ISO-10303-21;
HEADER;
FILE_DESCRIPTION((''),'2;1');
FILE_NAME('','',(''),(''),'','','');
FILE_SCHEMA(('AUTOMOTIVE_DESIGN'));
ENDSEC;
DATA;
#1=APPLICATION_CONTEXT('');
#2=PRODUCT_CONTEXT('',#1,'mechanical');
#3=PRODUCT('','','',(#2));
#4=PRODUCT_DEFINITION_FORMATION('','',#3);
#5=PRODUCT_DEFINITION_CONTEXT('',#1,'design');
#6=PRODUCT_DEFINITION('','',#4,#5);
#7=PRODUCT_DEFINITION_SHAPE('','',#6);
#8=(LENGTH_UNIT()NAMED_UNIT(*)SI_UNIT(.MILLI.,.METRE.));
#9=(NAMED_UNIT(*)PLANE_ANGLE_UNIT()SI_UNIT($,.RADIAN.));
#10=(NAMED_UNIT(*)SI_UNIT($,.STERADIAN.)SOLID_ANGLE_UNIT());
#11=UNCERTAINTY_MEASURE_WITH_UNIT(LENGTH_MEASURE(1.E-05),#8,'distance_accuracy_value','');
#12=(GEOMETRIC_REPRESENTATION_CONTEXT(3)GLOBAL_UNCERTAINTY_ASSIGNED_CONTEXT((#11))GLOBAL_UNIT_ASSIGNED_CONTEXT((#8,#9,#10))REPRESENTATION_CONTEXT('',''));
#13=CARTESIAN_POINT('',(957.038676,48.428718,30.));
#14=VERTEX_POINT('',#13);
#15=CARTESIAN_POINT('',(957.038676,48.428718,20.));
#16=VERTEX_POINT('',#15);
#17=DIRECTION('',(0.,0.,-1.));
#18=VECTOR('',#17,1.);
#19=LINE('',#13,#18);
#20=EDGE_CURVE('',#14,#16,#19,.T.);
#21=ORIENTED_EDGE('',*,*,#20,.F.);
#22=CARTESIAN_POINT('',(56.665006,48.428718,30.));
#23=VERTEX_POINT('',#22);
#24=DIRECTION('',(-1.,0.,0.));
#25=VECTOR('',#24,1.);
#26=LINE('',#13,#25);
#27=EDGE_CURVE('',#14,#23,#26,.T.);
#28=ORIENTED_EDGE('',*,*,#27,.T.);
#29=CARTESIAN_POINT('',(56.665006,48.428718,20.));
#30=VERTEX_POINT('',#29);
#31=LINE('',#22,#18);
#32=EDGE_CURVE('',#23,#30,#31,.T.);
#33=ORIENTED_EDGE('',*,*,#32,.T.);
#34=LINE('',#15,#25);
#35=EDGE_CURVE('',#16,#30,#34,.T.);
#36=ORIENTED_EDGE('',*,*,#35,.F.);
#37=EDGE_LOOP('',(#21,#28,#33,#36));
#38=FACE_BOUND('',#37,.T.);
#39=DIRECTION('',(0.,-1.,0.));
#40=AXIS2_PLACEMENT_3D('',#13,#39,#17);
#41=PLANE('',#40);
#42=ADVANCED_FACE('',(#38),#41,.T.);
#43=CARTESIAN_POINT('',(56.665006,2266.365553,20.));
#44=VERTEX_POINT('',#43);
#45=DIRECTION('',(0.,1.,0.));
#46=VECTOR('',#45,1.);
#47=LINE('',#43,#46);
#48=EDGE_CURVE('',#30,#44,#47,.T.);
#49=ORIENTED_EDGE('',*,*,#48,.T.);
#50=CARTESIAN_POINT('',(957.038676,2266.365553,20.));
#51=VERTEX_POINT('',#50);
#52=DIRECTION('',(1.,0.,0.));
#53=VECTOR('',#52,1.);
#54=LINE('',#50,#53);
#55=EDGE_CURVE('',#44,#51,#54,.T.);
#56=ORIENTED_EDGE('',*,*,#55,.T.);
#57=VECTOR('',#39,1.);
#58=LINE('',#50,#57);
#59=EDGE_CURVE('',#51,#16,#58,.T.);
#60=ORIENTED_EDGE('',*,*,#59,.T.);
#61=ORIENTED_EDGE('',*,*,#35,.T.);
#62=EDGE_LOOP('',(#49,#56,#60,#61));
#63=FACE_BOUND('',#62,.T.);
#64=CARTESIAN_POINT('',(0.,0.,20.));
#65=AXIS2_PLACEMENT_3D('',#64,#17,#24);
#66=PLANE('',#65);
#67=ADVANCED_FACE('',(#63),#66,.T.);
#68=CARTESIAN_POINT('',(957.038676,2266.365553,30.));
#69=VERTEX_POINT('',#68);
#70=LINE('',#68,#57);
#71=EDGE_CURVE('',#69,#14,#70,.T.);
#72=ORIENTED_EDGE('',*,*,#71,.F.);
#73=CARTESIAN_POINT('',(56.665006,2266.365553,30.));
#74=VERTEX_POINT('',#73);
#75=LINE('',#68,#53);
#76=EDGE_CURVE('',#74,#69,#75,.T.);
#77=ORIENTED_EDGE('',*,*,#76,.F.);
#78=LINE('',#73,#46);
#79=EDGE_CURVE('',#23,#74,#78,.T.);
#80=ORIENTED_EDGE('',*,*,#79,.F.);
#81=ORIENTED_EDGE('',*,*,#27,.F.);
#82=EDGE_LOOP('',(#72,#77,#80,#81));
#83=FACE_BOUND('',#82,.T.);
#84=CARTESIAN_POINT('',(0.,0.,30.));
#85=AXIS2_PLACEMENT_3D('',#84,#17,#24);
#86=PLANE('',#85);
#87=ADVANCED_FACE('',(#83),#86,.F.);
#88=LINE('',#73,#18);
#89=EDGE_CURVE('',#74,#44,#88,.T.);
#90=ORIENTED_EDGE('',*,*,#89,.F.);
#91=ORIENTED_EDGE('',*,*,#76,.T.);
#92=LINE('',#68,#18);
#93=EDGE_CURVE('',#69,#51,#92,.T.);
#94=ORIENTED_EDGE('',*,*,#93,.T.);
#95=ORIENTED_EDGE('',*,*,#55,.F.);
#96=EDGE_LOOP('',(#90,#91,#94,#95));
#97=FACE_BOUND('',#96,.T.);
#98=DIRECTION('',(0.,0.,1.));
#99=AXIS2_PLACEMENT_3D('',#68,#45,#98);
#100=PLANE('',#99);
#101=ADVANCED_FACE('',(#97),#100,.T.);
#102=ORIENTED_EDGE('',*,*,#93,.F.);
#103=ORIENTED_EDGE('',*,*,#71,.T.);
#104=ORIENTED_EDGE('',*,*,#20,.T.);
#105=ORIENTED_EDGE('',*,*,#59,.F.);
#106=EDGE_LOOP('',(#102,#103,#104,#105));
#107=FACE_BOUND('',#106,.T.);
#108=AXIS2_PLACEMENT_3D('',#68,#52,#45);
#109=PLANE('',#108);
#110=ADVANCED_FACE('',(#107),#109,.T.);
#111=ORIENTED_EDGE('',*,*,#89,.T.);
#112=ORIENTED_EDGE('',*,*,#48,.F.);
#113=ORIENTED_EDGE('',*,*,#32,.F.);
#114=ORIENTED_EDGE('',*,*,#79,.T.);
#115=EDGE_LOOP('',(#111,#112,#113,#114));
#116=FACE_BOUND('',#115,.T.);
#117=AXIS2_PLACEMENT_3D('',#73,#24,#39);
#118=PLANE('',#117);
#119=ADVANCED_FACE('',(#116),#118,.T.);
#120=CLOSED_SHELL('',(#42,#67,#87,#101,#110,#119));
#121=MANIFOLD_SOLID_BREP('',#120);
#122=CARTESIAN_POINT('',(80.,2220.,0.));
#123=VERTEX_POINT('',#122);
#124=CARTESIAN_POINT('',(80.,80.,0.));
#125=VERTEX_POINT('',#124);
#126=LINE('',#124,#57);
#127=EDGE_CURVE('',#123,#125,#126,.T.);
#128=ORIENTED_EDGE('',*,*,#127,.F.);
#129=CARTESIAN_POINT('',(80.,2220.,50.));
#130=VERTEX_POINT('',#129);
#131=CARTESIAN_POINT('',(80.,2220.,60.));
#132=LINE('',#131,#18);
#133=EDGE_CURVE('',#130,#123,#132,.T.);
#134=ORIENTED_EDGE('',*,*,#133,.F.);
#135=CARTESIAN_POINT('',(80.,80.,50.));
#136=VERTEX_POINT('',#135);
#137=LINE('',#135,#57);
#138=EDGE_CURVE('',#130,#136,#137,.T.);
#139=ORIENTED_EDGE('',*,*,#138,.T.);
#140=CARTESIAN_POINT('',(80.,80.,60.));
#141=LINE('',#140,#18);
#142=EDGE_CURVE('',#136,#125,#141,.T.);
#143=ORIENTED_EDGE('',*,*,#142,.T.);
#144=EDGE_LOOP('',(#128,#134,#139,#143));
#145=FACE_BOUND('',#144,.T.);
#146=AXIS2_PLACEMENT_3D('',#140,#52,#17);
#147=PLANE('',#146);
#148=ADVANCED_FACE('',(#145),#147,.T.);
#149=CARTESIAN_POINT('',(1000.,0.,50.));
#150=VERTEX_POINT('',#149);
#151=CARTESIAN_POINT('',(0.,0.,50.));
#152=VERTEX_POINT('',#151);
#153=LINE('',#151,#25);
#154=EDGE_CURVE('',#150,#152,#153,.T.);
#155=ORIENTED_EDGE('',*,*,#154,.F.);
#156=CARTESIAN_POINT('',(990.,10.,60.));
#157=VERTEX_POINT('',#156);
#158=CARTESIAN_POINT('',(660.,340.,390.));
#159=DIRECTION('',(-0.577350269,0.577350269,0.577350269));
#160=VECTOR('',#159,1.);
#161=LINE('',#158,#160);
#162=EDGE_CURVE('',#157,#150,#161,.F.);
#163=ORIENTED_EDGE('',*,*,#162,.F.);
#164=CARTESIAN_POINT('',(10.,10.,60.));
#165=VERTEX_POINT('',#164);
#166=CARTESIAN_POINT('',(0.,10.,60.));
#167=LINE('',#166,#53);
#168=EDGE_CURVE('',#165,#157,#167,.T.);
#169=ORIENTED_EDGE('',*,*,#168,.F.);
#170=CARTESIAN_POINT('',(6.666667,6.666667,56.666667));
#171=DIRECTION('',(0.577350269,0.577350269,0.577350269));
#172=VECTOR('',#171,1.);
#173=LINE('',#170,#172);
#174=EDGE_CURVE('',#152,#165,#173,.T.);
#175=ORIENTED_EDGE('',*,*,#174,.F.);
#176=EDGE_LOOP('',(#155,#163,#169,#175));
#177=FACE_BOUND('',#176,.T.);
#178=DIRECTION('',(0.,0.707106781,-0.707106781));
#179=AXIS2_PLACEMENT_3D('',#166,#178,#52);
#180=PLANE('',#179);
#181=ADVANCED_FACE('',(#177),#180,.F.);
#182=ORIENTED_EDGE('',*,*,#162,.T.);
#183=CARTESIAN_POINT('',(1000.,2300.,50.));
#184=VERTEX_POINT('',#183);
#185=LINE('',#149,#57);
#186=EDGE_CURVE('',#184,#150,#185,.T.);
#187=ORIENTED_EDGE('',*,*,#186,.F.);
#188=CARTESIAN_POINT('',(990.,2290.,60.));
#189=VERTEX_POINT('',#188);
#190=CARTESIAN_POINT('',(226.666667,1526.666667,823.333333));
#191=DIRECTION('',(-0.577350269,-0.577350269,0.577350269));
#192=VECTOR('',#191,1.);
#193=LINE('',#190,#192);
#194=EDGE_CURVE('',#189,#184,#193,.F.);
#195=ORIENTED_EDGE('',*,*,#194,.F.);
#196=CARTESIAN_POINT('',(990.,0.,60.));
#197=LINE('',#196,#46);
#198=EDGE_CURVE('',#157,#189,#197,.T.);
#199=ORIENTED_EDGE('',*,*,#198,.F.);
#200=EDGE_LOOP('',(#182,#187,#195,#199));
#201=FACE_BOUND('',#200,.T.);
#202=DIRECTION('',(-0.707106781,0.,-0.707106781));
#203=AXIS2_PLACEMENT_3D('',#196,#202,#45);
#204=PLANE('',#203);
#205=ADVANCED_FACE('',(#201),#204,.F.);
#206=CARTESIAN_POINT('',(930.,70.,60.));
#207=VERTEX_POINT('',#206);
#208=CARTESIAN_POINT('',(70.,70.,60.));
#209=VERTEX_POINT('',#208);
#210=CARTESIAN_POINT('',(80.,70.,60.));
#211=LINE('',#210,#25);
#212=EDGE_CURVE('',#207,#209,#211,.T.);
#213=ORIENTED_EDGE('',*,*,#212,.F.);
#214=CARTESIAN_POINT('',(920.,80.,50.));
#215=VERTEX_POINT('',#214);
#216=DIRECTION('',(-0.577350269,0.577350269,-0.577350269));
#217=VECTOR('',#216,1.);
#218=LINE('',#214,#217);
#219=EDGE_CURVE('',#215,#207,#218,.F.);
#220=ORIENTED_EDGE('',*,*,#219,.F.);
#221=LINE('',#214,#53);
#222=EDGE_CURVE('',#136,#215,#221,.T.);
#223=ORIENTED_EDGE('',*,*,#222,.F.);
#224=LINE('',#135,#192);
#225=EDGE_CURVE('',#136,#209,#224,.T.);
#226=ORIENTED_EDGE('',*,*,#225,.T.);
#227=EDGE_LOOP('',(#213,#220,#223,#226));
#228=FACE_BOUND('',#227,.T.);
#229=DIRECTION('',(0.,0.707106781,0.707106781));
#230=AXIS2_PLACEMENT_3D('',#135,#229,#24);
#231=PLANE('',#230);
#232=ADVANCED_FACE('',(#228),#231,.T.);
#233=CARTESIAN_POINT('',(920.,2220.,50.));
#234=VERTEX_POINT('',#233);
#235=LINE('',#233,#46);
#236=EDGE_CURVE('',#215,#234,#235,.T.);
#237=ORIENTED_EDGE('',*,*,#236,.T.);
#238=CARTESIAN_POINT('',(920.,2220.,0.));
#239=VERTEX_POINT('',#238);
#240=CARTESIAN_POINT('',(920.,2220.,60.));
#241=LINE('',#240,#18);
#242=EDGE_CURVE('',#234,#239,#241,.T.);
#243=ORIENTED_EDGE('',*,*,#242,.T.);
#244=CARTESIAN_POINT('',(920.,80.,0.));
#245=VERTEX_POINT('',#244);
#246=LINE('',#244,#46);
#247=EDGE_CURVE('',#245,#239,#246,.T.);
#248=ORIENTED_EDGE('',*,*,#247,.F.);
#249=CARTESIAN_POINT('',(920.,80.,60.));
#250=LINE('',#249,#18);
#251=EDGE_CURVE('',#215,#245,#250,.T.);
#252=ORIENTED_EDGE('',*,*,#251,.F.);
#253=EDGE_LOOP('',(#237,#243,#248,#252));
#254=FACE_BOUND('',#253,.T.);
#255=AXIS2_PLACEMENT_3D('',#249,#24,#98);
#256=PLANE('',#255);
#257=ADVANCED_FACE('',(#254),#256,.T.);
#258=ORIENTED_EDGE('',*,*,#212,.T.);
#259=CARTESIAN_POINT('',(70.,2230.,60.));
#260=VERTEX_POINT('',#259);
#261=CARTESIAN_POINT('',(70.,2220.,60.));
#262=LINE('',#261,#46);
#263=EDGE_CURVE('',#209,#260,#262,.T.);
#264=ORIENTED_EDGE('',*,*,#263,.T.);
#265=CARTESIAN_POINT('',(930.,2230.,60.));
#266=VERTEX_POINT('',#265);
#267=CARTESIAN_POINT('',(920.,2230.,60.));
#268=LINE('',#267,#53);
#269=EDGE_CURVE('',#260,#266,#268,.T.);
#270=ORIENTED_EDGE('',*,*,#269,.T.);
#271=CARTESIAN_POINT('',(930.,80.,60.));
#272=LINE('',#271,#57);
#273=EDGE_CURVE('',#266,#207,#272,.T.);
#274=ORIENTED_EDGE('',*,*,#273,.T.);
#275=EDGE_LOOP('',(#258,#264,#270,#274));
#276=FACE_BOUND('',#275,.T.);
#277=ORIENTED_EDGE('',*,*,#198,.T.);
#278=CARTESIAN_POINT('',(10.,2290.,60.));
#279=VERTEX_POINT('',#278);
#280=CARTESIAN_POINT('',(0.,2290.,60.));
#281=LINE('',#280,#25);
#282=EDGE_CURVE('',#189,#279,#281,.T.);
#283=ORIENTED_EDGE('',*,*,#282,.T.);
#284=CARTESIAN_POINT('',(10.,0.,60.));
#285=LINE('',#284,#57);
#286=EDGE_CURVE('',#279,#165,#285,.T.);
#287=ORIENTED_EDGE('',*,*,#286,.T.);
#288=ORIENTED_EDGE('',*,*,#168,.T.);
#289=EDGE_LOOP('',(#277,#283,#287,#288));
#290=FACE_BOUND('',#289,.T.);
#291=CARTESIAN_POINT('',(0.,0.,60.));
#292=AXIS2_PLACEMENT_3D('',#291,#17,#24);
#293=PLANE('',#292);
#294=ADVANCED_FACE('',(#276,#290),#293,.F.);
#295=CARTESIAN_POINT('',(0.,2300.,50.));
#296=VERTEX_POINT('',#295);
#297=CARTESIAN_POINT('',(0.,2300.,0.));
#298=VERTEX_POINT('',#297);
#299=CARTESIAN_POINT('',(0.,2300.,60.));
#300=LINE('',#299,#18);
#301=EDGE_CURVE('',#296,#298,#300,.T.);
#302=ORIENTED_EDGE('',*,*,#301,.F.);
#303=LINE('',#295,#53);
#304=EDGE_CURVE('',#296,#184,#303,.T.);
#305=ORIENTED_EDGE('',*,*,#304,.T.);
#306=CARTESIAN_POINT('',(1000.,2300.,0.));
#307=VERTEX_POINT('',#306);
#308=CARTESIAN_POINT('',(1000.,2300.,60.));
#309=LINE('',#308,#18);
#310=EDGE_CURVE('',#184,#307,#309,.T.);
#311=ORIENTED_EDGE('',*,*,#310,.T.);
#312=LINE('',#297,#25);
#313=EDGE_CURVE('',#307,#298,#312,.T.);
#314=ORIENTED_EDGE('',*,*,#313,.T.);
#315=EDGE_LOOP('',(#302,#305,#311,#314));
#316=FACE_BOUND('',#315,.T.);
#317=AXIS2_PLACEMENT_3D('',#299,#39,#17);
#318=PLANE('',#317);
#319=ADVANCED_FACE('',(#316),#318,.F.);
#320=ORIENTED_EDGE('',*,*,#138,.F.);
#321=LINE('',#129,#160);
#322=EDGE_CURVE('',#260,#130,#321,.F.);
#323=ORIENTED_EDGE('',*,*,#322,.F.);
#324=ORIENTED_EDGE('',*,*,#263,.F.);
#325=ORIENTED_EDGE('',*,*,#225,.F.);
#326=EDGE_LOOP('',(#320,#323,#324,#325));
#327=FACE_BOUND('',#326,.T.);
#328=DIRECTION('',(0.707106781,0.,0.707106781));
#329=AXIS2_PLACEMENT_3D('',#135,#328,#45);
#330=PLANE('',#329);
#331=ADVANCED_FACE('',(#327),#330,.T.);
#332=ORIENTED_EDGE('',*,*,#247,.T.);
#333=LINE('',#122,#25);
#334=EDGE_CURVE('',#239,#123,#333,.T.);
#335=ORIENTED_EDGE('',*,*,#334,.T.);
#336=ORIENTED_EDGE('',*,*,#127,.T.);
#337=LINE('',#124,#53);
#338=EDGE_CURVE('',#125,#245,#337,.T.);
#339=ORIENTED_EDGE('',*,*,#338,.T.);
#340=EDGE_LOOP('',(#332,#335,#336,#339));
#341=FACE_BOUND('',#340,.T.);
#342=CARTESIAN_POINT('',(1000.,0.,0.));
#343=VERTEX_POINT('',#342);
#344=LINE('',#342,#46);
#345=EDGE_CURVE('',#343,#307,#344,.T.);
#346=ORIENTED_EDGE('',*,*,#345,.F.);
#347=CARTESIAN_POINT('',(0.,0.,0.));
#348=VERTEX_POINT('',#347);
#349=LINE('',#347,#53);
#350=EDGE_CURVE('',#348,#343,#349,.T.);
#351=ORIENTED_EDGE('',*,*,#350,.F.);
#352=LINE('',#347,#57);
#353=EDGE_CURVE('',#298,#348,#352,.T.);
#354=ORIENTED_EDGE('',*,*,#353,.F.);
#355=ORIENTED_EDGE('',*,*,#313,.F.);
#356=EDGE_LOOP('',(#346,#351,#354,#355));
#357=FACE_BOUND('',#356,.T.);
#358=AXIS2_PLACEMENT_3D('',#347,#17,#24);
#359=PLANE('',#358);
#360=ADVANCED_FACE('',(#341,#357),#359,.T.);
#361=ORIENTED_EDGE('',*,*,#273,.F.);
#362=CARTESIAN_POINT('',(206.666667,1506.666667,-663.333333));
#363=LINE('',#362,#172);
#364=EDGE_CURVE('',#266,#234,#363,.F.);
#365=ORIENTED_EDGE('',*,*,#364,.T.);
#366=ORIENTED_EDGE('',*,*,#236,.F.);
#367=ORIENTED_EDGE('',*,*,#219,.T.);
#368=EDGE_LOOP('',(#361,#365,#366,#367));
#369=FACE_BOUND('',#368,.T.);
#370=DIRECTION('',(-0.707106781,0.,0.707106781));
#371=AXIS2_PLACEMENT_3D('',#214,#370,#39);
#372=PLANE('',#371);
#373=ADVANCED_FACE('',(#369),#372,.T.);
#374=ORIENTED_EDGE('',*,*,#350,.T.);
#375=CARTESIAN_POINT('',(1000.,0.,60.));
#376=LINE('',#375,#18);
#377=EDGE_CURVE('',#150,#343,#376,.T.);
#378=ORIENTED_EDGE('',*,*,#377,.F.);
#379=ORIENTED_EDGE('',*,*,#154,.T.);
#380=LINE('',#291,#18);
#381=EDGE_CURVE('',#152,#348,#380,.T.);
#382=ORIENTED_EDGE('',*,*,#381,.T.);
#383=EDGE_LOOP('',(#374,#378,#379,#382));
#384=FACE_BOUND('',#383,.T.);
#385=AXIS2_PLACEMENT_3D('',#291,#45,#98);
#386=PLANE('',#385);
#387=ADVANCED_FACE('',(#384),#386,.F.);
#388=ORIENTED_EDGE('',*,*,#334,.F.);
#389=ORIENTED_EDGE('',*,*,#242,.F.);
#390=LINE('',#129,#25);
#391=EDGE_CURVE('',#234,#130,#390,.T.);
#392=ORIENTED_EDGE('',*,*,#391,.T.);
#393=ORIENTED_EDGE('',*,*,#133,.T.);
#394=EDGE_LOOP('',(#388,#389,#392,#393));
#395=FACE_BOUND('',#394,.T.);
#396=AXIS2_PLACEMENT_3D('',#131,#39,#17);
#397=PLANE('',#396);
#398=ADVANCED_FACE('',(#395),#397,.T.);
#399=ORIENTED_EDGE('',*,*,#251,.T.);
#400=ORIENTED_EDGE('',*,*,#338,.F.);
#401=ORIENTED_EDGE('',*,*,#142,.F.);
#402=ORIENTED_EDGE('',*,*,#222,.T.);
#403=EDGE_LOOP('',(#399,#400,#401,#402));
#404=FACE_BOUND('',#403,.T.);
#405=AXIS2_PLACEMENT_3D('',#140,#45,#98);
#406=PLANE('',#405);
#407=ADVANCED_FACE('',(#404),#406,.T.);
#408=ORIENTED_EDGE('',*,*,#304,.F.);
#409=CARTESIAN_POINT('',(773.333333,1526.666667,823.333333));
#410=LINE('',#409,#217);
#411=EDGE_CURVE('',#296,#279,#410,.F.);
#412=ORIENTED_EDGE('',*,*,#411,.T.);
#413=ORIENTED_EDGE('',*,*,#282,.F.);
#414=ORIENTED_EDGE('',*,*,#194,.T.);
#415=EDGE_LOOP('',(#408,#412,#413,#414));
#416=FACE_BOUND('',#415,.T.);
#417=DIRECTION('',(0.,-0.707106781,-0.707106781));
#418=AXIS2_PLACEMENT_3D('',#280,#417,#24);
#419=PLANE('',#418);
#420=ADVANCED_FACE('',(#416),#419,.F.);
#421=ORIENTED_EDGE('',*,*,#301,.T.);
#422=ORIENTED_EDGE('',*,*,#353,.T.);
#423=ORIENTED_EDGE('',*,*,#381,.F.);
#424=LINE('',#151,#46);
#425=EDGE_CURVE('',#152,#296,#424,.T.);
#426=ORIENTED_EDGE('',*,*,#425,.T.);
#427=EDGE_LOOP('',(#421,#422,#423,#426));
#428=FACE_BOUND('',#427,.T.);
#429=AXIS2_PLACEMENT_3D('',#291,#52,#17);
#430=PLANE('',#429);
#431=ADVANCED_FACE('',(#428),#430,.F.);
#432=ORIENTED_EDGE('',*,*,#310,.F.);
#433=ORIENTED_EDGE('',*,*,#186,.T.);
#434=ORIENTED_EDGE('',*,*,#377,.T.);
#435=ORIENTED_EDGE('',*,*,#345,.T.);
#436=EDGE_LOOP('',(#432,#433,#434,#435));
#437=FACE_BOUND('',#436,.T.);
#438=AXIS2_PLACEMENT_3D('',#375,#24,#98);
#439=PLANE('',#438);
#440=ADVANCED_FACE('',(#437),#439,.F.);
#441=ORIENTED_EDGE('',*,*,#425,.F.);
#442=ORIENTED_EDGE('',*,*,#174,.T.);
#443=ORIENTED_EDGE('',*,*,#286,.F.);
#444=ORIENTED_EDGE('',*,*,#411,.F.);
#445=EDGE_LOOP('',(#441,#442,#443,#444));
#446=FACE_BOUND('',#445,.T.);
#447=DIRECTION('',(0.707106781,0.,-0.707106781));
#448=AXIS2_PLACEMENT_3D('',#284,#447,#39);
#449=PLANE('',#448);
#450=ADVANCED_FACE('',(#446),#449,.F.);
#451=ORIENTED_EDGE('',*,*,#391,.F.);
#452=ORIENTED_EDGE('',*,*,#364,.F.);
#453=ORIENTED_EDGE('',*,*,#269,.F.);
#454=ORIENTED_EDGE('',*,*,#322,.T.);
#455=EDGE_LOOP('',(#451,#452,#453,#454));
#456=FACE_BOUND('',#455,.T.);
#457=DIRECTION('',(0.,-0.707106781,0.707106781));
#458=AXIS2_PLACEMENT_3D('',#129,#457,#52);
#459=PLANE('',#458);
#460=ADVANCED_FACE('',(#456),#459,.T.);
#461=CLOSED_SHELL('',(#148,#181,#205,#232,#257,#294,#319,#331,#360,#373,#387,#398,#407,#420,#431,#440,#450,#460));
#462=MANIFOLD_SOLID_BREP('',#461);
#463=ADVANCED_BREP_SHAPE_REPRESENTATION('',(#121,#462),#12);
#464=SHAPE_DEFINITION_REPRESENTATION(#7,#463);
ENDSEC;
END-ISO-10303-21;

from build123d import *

# Parameters (mm, degrees)
SKETCH_1_W      = 1000
SKETCH_1_H      = 2300
SKETCH_1_W_2    = 840
SKETCH_1_H_2    = 2140
EXTRUDE_1_DEPTH = 60
CHAMFER_1_SIZE  = 10
EXTRUDE_START   = -20
SKETCH_2_W      = 900.373669922
SKETCH_2_H      = 2217.936834282
EXTRUDE_2_DEPTH = 10


with BuildPart() as part:
    # Эскиз1 → Бобышка-Вытянуть1 (new body)
    with BuildSketch(Plane.XY):
        with Locations((500, 1150)):
            Rectangle(SKETCH_1_W, SKETCH_1_H)
        with Locations((500, 1150)):
            Rectangle(SKETCH_1_W_2, SKETCH_1_H_2, mode=Mode.SUBTRACT)
    extrude(amount=EXTRUDE_1_DEPTH)

    # Фаска1
    chamfer_1_edges = [part.edges().sort_by_distance(p)[0] for p in [
        (1000, 1150, 60),
        (500, 80, 60),
        (500, 2300, 60),
        (920, 1150, 60),
        (500, 2220, 60),
        (80, 1150, 60),
        (0, 1150, 60),
        (500, 0, 60),
    ]]
    chamfer(chamfer_1_edges, length=CHAMFER_1_SIZE)


with BuildPart() as body_2:
    # Эскиз2 → Бобышка-Вытянуть2 (new body)
    with BuildSketch(Plane(origin=(0, 0, 0), x_dir=(-1, 0, 0), z_dir=(0, 0, -1)).offset(EXTRUDE_START)):
        with Locations((-506.85184074, 1157.397135367)):
            Rectangle(SKETCH_2_W, SKETCH_2_H)
    extrude(amount=-EXTRUDE_2_DEPTH)


solid = Compound([part.part, body_2.part])
